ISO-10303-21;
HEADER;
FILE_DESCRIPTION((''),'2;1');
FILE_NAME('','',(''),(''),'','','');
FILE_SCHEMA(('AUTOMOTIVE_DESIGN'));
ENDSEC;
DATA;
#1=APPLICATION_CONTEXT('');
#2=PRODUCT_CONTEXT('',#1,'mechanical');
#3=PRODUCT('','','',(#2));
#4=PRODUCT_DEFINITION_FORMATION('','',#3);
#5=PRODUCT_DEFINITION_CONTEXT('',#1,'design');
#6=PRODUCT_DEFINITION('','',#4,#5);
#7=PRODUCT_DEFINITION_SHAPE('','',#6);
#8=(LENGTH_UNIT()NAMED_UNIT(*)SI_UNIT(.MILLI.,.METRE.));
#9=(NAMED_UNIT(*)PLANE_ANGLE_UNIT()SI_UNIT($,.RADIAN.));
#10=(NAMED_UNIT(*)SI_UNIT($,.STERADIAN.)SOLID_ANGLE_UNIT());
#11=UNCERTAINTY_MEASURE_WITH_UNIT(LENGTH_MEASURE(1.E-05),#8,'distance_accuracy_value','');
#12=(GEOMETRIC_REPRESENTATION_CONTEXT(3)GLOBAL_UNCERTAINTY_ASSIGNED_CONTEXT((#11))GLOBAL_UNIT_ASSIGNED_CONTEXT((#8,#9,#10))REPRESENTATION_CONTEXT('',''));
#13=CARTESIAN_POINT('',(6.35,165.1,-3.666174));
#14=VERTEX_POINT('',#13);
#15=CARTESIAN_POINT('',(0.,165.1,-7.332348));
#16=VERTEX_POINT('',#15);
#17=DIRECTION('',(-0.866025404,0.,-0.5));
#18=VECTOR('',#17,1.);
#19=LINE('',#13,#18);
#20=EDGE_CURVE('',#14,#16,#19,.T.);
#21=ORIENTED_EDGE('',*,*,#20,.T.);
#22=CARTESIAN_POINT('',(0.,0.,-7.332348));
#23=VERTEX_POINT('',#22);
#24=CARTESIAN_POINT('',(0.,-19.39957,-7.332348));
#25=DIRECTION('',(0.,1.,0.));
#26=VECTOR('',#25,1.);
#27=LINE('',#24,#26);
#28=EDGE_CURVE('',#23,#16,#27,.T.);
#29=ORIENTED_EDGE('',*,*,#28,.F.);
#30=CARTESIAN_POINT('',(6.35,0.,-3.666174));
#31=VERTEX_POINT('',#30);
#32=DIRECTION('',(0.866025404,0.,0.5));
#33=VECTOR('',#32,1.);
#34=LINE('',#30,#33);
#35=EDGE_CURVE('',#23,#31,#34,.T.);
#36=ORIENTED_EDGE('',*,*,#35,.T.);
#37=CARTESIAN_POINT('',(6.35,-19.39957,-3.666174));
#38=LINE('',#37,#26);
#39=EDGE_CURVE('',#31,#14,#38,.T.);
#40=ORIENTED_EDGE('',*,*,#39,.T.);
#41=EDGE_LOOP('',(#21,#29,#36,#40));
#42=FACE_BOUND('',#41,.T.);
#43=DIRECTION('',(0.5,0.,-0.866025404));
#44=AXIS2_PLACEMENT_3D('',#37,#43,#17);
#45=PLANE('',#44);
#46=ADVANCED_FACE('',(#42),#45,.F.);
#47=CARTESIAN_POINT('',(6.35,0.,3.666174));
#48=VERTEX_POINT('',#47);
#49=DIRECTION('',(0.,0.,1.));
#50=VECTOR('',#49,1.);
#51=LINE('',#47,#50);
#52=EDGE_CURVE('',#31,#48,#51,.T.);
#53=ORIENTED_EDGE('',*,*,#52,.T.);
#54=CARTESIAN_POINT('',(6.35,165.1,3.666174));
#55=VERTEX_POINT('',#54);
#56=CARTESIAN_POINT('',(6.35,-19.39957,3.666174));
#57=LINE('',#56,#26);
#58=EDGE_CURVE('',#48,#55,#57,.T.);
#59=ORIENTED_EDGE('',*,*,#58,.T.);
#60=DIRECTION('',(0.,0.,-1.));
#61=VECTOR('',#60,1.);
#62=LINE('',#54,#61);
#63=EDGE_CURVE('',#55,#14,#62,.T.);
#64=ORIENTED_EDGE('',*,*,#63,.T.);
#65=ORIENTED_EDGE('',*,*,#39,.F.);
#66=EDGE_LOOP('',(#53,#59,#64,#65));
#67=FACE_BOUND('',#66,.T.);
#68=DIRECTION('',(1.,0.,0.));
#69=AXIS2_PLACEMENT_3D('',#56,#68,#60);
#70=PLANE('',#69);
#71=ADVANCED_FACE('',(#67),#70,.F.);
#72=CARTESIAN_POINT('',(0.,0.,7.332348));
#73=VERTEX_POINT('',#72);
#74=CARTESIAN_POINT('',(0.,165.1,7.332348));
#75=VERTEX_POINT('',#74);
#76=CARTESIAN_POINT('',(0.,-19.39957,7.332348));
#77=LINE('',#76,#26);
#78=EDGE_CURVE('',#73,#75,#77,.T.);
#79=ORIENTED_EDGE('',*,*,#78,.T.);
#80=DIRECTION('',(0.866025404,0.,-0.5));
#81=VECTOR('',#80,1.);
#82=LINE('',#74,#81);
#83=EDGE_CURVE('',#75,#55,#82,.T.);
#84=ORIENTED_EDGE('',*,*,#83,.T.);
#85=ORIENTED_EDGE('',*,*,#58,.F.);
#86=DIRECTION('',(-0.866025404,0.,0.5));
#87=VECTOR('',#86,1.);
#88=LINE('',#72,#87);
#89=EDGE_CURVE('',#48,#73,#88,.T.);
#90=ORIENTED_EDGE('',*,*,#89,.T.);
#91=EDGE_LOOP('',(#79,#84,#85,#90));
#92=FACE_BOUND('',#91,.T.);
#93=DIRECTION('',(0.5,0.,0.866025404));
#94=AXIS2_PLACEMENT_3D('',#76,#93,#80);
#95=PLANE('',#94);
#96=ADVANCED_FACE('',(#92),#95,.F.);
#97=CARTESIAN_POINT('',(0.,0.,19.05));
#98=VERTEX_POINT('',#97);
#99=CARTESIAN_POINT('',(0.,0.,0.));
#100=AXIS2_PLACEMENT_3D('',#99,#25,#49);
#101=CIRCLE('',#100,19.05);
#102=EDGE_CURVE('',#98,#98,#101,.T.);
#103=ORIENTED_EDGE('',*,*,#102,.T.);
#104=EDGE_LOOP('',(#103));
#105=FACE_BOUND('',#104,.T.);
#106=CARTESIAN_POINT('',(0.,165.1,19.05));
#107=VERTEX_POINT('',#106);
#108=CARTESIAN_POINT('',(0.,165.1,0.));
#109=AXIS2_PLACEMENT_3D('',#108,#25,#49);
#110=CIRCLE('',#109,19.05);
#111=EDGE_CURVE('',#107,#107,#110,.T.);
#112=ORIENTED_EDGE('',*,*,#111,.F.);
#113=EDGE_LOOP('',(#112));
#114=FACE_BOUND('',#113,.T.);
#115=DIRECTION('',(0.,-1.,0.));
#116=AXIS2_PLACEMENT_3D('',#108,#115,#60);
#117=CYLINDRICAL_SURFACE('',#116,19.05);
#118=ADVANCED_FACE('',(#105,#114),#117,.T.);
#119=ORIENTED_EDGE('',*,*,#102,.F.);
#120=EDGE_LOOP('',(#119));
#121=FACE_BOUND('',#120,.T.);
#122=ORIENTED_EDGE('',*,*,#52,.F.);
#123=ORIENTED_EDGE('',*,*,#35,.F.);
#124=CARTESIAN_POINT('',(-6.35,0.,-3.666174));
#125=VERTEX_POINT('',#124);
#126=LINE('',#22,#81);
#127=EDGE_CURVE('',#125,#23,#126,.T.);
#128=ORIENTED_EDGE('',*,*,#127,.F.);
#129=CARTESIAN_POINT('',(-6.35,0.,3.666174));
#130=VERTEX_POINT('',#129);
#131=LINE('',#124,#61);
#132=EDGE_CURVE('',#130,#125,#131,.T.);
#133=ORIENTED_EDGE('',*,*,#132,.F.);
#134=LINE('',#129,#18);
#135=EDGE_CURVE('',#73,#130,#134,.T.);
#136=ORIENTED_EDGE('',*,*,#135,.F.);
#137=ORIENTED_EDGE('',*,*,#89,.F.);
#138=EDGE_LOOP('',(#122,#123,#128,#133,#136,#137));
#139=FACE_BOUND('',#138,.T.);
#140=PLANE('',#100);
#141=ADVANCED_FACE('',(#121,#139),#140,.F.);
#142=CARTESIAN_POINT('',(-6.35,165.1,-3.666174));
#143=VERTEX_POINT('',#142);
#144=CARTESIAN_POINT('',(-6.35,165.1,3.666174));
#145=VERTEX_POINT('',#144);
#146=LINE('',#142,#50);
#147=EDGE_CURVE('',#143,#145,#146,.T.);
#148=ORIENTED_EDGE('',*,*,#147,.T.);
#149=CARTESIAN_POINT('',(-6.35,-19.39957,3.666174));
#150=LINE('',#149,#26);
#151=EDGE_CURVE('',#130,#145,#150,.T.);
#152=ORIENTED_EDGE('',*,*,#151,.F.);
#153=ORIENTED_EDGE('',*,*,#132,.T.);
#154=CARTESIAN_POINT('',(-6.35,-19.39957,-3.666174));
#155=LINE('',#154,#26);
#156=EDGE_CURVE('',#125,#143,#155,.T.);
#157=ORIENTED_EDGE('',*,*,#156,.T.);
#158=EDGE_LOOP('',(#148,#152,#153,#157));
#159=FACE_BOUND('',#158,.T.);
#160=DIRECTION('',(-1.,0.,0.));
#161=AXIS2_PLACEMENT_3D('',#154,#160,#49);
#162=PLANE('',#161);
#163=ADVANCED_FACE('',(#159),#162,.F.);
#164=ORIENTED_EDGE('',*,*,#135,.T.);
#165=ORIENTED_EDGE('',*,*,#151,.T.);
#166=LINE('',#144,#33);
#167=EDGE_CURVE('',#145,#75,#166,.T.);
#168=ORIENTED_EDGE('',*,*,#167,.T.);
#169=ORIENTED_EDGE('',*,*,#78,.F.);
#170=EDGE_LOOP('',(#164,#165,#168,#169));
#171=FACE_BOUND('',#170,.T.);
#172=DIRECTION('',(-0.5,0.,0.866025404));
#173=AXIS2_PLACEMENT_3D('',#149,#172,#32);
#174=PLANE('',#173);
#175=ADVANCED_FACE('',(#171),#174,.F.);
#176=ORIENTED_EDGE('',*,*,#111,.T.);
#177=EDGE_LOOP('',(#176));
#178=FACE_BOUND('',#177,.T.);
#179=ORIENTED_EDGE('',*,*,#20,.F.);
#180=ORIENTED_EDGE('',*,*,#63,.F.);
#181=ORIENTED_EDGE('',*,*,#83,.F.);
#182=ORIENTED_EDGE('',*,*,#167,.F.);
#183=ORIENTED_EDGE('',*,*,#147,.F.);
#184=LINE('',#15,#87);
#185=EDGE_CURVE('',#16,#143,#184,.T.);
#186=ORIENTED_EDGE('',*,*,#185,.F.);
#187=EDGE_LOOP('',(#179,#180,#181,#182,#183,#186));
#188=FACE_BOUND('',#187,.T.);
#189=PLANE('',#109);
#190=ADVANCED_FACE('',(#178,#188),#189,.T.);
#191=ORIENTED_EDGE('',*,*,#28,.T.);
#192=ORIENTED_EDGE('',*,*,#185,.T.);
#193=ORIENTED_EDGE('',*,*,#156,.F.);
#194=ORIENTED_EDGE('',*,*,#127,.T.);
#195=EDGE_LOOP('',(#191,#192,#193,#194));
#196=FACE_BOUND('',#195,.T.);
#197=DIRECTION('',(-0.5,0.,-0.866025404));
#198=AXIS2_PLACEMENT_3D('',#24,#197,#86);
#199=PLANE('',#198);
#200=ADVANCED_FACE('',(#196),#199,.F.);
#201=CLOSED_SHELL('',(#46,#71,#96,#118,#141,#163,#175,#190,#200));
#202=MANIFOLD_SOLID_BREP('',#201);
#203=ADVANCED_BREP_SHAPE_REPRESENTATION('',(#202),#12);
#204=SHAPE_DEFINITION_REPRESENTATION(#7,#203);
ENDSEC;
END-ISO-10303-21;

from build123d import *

# Parameters (mm, degrees)
SKETCH1_R           = 19.05
BOSS_EXTRUDE1_DEPTH = 165.1
CUT_EXTRUDE1_DEPTH  = 165.1


with BuildPart() as part:
    # Sketch1 → Boss-Extrude1 (new body)
    with BuildSketch(Plane(origin=(0, 0, 0), x_dir=(1, 0, 0), z_dir=(0, 1, 0))):
        with Locations(Location((0, 0, 0), (0, 0, 270))):
            Circle(SKETCH1_R)
    extrude(amount=BOSS_EXTRUDE1_DEPTH)

    # Sketch2 → Cut-Extrude1 (cut)
    with BuildSketch(Plane(origin=(0, 165.1, 0), x_dir=(1, 0, 0), z_dir=(0, 1, 0))):
        Polygon((0, 7.332348419), (-6.35, 3.666174209), (-6.35, -3.666174209), (0, -7.332348419), (6.35, -3.666174209), (6.35, 3.666174209), align=None)
    extrude(amount=-CUT_EXTRUDE1_DEPTH, mode=Mode.SUBTRACT)


solid = part.part
